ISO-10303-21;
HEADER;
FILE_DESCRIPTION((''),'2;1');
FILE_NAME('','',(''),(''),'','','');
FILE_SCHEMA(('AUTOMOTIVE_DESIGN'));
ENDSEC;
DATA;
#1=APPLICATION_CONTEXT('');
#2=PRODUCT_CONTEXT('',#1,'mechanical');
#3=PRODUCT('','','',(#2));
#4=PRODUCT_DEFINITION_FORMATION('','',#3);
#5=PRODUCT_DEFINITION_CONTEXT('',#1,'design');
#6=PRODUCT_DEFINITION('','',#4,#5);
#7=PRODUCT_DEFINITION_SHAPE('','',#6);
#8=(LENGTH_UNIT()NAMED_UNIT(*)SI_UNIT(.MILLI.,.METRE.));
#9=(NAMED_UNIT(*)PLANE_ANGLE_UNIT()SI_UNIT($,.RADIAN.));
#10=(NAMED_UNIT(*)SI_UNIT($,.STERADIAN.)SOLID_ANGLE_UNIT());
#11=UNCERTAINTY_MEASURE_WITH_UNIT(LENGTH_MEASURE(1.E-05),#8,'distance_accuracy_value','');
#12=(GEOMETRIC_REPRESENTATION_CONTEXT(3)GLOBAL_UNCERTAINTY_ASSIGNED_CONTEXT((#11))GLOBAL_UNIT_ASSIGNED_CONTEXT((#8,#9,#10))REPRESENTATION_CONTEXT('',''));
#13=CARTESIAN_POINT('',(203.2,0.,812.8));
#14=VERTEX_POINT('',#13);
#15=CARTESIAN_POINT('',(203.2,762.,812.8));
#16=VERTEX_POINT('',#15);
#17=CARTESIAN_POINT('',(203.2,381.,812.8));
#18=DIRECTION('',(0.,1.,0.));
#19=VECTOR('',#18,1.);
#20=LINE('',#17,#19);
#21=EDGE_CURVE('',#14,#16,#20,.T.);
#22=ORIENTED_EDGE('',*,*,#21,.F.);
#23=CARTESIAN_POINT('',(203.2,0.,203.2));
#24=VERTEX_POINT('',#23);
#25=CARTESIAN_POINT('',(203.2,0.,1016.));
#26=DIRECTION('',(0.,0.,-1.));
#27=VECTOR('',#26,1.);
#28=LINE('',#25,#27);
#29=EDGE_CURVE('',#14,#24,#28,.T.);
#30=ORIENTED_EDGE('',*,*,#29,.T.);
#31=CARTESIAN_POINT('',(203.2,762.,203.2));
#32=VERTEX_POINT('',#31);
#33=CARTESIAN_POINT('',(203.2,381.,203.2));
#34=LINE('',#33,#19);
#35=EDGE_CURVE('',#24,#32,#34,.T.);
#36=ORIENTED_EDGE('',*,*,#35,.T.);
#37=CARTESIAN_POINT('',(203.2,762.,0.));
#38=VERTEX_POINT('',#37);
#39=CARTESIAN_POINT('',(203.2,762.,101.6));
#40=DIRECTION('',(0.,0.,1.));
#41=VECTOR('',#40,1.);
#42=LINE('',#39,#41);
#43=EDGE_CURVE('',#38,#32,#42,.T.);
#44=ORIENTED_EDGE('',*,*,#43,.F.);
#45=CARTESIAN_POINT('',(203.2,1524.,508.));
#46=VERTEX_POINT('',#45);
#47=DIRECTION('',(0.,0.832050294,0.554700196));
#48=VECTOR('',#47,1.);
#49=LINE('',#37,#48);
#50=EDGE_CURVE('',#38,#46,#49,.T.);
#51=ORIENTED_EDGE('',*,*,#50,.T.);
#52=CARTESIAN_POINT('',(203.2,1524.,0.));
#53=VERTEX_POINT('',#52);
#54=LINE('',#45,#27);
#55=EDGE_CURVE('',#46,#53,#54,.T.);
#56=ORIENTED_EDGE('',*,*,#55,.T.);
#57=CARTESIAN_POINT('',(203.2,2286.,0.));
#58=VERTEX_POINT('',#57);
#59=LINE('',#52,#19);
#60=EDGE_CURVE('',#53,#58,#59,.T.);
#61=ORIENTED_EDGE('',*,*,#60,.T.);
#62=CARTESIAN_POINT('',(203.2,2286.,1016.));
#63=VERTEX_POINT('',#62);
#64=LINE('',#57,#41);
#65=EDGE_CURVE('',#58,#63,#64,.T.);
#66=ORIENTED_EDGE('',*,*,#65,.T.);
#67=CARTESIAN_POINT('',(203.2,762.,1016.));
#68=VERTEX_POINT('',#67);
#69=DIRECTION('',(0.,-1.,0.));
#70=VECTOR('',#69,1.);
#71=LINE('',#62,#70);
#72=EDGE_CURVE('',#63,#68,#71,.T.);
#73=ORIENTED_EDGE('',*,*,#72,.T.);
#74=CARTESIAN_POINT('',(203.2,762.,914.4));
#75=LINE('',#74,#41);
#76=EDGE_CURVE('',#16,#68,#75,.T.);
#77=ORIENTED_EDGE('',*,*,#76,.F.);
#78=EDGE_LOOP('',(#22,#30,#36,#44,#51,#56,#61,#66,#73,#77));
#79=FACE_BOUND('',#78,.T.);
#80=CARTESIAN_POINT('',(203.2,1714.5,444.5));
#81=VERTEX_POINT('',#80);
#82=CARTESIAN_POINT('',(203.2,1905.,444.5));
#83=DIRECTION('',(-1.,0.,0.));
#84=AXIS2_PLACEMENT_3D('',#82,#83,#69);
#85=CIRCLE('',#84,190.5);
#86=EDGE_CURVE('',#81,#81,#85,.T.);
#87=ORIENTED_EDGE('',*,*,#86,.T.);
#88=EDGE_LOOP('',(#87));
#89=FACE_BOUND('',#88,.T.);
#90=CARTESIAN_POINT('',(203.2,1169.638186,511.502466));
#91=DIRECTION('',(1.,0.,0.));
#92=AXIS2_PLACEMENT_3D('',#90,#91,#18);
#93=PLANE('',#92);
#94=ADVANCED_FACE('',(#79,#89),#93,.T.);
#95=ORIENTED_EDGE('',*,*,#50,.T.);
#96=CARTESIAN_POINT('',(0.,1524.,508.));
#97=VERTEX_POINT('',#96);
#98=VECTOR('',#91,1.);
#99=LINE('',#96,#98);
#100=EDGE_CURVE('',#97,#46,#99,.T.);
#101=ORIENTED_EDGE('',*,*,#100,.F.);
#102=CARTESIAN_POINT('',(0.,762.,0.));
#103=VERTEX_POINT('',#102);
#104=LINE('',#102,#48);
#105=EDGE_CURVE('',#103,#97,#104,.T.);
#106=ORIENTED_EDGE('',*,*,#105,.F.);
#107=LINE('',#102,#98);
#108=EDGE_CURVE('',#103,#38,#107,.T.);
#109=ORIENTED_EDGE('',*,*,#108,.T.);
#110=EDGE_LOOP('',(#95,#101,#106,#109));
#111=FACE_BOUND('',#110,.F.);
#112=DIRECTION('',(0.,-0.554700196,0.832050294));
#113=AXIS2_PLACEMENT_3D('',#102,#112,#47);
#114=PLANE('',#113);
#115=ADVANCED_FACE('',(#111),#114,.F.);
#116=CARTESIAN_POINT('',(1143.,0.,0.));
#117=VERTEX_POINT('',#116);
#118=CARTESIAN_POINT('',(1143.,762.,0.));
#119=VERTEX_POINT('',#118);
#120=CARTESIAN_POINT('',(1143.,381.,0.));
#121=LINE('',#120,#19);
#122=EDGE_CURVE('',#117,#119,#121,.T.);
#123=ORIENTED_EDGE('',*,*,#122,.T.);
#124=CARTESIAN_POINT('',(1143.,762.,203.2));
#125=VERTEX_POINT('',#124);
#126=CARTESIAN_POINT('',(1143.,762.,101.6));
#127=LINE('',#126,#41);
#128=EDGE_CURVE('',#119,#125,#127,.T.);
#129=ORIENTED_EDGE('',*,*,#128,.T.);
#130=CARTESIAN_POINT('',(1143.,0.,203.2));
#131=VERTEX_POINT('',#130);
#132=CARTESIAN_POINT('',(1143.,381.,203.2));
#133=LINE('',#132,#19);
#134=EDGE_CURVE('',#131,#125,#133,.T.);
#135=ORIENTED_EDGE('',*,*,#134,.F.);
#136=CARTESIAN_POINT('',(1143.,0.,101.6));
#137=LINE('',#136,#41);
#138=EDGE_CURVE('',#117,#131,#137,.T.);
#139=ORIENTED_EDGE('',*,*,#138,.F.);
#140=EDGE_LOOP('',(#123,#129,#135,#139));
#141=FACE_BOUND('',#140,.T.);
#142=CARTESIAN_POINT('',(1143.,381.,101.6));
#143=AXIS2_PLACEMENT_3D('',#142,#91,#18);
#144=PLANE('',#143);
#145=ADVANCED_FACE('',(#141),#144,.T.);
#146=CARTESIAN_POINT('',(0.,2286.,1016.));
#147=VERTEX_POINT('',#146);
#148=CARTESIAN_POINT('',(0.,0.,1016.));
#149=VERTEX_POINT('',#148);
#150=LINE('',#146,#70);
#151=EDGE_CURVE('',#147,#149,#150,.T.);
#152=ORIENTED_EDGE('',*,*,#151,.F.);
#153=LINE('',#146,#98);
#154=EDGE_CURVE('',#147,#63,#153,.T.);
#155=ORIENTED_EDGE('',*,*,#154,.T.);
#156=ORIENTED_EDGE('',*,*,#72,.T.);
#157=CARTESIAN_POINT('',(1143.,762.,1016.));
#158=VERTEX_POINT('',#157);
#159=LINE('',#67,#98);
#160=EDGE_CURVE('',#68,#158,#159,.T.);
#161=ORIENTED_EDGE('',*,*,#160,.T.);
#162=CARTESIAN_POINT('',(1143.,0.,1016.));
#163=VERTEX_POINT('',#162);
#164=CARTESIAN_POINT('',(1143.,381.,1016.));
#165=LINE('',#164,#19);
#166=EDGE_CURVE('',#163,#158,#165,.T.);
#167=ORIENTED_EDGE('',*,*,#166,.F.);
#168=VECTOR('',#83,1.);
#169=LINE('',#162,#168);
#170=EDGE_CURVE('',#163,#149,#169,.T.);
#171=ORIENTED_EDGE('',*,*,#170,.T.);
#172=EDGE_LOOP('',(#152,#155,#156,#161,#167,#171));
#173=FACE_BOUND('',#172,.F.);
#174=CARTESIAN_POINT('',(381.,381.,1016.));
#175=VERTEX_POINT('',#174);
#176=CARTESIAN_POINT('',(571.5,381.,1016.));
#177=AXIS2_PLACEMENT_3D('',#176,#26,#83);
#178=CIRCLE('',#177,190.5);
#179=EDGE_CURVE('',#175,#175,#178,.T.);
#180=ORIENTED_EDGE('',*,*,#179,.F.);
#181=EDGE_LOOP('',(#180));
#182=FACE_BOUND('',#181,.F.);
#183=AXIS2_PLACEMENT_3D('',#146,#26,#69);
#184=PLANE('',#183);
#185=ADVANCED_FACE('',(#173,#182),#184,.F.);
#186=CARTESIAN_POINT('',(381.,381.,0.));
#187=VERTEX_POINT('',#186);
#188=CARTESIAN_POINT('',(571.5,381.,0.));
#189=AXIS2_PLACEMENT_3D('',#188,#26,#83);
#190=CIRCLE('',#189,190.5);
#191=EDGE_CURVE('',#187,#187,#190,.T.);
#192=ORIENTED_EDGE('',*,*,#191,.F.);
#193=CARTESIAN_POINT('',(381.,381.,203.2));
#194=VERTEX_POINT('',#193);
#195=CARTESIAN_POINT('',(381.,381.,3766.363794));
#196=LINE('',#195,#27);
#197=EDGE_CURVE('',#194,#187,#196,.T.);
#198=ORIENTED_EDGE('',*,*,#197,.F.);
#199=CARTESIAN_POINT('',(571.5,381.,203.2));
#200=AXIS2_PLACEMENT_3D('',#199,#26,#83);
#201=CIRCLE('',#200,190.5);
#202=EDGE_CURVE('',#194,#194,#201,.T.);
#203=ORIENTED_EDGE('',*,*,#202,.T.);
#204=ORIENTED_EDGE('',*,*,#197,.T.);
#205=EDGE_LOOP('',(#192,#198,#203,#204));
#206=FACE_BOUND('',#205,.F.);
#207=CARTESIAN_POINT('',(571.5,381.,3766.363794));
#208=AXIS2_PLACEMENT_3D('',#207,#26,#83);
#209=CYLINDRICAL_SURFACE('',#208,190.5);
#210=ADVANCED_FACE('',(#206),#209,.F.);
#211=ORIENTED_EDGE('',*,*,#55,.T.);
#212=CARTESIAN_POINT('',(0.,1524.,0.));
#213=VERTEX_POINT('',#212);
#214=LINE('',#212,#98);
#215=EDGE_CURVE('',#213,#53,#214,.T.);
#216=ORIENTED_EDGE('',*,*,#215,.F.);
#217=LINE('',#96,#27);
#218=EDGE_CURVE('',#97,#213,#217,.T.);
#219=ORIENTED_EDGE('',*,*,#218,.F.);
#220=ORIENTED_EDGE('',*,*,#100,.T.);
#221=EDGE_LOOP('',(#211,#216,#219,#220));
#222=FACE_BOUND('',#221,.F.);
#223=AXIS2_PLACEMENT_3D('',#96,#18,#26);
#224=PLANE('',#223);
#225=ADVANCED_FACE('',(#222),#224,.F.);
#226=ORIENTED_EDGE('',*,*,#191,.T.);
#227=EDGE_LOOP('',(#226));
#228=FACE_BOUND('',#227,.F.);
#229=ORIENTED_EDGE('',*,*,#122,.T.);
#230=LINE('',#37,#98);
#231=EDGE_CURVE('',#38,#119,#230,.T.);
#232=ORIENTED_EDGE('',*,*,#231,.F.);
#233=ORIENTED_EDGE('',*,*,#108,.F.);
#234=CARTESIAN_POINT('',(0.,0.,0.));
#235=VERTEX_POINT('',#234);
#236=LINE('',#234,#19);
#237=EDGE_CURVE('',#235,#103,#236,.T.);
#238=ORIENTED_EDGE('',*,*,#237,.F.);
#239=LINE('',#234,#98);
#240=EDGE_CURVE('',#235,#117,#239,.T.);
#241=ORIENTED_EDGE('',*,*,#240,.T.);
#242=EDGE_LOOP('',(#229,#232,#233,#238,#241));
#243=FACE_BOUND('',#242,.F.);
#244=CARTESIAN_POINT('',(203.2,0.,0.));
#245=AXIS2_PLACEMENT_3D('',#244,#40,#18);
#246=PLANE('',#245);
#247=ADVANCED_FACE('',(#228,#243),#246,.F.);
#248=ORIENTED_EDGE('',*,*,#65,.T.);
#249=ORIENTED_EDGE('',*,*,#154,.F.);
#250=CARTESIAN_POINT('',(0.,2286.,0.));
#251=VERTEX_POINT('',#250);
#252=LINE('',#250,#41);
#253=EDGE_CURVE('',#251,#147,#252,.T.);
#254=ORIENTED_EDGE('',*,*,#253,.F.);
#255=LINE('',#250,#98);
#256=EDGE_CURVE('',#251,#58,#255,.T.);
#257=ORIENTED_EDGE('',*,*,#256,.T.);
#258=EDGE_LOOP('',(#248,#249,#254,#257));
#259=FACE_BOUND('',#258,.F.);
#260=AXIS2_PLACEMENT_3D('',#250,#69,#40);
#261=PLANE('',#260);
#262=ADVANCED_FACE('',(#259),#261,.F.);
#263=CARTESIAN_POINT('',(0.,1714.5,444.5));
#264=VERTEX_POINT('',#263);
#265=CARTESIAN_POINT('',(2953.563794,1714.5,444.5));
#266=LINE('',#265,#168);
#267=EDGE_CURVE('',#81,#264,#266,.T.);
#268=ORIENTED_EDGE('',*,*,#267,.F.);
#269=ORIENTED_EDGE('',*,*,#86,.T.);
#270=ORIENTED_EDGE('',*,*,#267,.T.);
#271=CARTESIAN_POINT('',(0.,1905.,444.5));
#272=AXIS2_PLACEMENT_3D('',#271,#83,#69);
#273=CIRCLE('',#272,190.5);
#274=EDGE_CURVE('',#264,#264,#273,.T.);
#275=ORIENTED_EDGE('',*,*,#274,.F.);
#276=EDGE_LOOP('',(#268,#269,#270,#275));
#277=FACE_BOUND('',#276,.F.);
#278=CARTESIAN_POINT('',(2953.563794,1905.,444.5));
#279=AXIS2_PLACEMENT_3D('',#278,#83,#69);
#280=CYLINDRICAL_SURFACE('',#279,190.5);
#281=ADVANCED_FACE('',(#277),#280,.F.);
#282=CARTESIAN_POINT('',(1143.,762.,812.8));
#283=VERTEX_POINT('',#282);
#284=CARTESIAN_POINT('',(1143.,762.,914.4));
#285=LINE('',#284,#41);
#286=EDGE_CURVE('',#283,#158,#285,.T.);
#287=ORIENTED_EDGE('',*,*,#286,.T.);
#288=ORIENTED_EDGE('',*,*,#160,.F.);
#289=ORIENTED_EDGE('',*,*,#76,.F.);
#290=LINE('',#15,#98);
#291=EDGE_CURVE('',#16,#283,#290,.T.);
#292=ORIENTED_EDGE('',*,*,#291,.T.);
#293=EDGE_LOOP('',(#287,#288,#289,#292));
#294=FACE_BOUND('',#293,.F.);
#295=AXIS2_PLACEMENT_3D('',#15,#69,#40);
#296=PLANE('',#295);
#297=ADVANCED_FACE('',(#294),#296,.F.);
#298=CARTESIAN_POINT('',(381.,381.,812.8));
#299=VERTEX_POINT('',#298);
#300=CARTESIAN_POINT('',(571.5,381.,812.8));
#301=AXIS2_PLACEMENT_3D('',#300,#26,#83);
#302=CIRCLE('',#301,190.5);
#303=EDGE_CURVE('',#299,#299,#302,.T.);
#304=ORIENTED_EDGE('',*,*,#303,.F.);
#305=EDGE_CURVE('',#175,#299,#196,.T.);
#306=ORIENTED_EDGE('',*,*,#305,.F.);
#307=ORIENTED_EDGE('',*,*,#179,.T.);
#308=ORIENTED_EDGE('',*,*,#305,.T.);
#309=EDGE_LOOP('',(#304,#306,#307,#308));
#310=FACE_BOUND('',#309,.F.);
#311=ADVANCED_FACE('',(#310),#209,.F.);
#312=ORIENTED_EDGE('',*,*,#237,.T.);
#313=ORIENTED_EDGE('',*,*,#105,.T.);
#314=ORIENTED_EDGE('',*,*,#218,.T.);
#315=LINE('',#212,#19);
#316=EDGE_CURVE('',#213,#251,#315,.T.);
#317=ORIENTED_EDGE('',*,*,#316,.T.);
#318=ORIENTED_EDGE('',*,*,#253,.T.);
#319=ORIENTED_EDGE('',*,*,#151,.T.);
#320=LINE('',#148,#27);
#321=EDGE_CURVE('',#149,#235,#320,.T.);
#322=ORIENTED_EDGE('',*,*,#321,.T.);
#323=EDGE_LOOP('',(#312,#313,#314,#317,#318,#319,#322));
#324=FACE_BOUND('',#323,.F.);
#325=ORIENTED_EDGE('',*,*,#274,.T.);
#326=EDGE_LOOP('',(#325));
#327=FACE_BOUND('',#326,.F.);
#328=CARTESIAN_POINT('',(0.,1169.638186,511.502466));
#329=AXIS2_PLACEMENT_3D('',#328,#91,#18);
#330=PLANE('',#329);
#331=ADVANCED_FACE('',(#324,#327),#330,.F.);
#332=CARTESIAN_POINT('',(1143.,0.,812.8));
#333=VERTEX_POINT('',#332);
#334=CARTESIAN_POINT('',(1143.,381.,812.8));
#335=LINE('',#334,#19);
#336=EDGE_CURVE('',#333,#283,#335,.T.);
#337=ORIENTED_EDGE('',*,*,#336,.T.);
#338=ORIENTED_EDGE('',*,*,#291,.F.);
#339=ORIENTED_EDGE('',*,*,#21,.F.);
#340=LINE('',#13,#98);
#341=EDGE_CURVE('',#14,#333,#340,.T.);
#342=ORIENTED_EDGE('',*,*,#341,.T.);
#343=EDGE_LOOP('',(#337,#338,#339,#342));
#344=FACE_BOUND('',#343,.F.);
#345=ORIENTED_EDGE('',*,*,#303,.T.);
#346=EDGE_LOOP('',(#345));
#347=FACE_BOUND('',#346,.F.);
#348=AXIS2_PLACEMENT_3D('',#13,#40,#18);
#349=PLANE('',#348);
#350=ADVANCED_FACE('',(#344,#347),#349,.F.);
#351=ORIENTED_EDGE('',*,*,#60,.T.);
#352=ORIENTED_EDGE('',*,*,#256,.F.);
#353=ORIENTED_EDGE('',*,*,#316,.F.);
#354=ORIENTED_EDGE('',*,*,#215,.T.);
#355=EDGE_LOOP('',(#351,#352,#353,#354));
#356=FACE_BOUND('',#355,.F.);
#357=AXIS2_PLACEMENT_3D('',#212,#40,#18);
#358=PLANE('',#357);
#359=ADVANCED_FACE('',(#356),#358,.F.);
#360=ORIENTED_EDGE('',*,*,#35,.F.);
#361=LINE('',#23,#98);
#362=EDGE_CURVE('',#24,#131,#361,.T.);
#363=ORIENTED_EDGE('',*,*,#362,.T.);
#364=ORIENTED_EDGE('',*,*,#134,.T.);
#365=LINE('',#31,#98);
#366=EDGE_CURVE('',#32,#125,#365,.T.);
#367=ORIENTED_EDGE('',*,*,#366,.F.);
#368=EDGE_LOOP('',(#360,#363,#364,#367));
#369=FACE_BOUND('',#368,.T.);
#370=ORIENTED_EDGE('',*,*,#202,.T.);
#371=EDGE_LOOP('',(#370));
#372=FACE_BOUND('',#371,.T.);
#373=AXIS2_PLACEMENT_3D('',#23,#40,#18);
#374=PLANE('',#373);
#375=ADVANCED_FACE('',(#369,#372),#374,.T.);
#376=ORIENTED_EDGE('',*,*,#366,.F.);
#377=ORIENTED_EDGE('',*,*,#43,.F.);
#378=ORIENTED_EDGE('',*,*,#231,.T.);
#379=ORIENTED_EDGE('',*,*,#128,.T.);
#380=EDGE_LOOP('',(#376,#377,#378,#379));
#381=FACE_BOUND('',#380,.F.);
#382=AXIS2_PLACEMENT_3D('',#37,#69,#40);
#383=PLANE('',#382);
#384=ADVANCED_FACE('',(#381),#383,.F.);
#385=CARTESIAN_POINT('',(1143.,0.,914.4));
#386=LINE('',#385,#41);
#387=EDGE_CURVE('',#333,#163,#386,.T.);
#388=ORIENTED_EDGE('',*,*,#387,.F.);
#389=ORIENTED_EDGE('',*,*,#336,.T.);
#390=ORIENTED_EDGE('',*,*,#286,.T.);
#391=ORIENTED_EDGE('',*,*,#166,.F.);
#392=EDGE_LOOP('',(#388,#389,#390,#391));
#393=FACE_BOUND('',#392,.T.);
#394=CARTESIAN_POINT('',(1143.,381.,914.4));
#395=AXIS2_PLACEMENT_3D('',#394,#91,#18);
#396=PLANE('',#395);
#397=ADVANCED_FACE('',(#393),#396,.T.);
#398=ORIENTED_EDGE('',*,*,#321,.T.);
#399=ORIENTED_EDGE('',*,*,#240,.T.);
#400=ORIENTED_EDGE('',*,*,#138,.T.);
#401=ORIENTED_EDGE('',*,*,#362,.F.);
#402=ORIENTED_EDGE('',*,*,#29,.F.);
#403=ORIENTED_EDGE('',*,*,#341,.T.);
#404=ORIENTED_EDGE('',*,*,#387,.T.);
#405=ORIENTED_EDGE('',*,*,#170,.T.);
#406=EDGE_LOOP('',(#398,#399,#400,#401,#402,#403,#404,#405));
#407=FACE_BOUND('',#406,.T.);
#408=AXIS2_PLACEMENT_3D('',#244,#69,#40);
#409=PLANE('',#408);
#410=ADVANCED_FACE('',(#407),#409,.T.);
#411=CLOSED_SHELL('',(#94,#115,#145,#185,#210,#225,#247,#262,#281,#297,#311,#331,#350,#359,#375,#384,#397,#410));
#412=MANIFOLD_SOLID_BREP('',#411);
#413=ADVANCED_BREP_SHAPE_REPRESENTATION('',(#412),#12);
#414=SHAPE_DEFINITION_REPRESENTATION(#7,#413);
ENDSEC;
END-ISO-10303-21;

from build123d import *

# Parameters (mm, degrees)
F1_DEPTH = 203.2
F2_W     = 762
F2_H     = 203.2
F3_DEPTH = 939.8
F5_D     = 381
F7_D     = 381


with BuildPart() as f1:
    # F0 (on Right) → F1 (new body)
    with BuildSketch(Plane.YZ):
        Polygon((0, 1016), (0, 0), (762, 0), (1524, 508), (1524, 0), (2286, 0), (2286, 1016), align=None)
    extrude(amount=F1_DEPTH)

    # F2 (on face) → F3 (join)
    with BuildSketch(Plane.YZ.offset(203.2)):
        with Locations((381, 101.6)):
            Rectangle(F2_W, F2_H)
        with Locations((381, 914.4)):
            Rectangle(F2_W, F2_H)
    extrude(amount=F3_DEPTH)

    # F5 (through all)
    with Locations(Plane.XY.offset(1016)):
        with Locations((571.5, 381)):
            Hole(F5_D / 2)

    # F7 (through all)
    with Locations(Plane.YZ.offset(203.2)):
        with Locations((1905, 444.5)):
            Hole(F7_D / 2)


solid = f1.part
